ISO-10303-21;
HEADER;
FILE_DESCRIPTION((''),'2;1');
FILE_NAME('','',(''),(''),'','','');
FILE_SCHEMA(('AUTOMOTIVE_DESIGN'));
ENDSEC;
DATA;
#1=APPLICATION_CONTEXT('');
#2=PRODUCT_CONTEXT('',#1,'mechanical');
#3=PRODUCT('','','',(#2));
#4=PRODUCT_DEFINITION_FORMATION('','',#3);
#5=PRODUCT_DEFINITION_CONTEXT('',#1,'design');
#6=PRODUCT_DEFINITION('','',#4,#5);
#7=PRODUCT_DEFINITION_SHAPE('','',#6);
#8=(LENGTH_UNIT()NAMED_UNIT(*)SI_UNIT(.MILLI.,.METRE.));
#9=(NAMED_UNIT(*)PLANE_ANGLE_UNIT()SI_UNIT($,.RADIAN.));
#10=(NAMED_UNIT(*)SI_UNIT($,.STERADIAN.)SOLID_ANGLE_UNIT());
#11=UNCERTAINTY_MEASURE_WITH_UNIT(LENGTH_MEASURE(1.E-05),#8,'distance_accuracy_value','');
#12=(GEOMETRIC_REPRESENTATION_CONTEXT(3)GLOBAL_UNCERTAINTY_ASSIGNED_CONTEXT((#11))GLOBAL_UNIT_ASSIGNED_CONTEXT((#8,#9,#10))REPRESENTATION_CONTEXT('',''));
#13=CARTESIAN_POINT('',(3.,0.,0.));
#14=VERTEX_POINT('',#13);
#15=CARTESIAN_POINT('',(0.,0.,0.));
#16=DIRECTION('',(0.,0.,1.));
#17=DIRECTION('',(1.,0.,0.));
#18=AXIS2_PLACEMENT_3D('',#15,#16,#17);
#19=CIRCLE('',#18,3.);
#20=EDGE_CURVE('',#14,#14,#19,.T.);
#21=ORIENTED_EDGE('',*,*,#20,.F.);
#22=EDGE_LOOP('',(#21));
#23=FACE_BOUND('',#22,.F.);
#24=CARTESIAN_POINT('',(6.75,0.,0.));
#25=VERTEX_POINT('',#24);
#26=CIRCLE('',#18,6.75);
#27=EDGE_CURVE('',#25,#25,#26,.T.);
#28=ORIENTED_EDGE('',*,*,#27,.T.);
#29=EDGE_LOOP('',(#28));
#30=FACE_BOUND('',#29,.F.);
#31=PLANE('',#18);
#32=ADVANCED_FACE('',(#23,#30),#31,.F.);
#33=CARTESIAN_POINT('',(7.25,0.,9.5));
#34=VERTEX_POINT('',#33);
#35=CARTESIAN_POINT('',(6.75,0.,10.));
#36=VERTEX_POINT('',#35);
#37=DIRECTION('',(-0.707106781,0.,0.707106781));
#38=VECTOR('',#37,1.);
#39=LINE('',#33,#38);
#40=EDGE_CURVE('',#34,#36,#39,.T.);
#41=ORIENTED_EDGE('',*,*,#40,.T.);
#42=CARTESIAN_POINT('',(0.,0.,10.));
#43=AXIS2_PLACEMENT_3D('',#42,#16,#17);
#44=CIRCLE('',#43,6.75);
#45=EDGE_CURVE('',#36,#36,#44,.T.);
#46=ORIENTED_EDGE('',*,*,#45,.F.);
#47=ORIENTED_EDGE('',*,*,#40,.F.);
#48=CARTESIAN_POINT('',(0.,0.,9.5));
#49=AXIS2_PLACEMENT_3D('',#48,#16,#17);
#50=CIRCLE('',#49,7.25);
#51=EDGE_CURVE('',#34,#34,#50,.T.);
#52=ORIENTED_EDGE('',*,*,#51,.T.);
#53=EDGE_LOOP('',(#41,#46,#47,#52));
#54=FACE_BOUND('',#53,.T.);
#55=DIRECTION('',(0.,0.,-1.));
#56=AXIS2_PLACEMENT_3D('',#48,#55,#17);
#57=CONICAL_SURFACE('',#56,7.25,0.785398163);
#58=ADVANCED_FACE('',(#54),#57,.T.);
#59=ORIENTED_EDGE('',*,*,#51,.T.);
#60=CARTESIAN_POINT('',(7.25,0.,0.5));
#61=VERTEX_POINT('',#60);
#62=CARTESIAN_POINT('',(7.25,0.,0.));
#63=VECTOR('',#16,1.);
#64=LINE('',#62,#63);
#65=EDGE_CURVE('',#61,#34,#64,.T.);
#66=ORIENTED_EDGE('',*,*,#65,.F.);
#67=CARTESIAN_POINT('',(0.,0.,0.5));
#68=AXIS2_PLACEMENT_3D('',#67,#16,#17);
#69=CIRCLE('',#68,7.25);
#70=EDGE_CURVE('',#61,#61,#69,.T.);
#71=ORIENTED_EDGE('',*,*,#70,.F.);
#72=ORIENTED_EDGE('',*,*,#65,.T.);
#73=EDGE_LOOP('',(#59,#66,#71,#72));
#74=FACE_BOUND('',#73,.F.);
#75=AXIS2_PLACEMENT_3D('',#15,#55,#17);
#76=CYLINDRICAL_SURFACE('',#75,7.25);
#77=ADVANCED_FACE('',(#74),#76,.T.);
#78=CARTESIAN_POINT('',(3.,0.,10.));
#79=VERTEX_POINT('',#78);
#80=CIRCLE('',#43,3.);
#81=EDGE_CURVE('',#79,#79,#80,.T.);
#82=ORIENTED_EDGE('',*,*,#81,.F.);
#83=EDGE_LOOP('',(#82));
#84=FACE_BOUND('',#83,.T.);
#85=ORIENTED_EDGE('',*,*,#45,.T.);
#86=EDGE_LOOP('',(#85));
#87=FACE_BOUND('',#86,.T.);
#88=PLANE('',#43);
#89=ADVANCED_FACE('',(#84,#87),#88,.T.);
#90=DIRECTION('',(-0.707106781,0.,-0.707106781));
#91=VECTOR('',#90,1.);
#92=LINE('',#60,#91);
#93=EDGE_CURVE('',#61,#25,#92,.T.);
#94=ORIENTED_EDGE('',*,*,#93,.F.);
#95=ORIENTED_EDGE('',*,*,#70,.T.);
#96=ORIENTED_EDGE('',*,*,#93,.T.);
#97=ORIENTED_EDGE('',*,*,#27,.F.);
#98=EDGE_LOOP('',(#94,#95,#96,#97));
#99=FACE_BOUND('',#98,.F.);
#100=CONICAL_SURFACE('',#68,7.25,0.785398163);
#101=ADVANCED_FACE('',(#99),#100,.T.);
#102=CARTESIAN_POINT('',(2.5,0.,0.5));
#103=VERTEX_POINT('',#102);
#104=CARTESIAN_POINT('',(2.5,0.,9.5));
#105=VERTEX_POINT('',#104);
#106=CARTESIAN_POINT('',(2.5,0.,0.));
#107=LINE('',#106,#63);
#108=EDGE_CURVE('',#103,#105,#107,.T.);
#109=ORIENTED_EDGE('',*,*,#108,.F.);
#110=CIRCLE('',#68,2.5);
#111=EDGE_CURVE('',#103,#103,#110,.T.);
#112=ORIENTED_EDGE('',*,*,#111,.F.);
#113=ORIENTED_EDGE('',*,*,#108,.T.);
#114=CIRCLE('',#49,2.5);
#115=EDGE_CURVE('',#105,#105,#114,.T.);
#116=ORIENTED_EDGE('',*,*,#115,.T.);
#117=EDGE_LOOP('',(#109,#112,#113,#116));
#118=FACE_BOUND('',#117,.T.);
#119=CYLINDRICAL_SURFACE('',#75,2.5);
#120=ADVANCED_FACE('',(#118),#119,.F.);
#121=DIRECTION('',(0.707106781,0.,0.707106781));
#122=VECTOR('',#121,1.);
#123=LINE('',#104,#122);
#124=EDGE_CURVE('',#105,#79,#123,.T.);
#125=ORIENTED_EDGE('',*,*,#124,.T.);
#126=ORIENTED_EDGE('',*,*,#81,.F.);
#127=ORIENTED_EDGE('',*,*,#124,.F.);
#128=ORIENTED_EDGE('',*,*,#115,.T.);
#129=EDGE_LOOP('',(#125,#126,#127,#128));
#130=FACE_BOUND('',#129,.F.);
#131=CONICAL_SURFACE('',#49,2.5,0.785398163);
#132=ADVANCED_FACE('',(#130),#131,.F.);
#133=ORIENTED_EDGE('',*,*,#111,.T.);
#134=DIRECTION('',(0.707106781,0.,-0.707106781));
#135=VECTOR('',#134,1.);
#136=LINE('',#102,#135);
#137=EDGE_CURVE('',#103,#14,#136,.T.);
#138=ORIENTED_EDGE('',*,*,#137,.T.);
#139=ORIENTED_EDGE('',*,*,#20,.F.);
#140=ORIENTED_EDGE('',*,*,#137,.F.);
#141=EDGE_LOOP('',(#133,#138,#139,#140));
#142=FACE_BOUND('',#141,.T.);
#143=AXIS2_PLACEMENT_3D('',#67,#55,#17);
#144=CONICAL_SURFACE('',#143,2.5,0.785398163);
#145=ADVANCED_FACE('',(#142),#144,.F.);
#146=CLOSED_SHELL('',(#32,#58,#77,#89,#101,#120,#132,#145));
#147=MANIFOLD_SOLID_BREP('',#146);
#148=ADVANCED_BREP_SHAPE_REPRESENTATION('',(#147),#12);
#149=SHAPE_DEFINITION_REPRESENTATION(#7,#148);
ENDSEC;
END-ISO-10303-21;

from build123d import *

# Parameters (mm, degrees)
SKETCH1_R           = 7.25
SKETCH1_R_2         = 2.5
BOSS_EXTRUDE1_DEPTH = 10
CHAMFER1_SIZE       = 0.5


with BuildPart() as part:
    # Sketch1 → Boss-Extrude1 (new body)
    with BuildSketch(Plane.XY):
        Circle(SKETCH1_R)
        Circle(SKETCH1_R_2, mode=Mode.SUBTRACT)
    extrude(amount=BOSS_EXTRUDE1_DEPTH)

    # Chamfer1
    chamfer1_edges = [part.edges().sort_by_distance(p)[0] for p in [
        (-7.25, 0, 0),
        (-7.25, 0, 10),
        (-2.5, 0, 0),
        (-2.5, 0, 10),
    ]]
    chamfer(chamfer1_edges, length=CHAMFER1_SIZE)


solid = part.part
